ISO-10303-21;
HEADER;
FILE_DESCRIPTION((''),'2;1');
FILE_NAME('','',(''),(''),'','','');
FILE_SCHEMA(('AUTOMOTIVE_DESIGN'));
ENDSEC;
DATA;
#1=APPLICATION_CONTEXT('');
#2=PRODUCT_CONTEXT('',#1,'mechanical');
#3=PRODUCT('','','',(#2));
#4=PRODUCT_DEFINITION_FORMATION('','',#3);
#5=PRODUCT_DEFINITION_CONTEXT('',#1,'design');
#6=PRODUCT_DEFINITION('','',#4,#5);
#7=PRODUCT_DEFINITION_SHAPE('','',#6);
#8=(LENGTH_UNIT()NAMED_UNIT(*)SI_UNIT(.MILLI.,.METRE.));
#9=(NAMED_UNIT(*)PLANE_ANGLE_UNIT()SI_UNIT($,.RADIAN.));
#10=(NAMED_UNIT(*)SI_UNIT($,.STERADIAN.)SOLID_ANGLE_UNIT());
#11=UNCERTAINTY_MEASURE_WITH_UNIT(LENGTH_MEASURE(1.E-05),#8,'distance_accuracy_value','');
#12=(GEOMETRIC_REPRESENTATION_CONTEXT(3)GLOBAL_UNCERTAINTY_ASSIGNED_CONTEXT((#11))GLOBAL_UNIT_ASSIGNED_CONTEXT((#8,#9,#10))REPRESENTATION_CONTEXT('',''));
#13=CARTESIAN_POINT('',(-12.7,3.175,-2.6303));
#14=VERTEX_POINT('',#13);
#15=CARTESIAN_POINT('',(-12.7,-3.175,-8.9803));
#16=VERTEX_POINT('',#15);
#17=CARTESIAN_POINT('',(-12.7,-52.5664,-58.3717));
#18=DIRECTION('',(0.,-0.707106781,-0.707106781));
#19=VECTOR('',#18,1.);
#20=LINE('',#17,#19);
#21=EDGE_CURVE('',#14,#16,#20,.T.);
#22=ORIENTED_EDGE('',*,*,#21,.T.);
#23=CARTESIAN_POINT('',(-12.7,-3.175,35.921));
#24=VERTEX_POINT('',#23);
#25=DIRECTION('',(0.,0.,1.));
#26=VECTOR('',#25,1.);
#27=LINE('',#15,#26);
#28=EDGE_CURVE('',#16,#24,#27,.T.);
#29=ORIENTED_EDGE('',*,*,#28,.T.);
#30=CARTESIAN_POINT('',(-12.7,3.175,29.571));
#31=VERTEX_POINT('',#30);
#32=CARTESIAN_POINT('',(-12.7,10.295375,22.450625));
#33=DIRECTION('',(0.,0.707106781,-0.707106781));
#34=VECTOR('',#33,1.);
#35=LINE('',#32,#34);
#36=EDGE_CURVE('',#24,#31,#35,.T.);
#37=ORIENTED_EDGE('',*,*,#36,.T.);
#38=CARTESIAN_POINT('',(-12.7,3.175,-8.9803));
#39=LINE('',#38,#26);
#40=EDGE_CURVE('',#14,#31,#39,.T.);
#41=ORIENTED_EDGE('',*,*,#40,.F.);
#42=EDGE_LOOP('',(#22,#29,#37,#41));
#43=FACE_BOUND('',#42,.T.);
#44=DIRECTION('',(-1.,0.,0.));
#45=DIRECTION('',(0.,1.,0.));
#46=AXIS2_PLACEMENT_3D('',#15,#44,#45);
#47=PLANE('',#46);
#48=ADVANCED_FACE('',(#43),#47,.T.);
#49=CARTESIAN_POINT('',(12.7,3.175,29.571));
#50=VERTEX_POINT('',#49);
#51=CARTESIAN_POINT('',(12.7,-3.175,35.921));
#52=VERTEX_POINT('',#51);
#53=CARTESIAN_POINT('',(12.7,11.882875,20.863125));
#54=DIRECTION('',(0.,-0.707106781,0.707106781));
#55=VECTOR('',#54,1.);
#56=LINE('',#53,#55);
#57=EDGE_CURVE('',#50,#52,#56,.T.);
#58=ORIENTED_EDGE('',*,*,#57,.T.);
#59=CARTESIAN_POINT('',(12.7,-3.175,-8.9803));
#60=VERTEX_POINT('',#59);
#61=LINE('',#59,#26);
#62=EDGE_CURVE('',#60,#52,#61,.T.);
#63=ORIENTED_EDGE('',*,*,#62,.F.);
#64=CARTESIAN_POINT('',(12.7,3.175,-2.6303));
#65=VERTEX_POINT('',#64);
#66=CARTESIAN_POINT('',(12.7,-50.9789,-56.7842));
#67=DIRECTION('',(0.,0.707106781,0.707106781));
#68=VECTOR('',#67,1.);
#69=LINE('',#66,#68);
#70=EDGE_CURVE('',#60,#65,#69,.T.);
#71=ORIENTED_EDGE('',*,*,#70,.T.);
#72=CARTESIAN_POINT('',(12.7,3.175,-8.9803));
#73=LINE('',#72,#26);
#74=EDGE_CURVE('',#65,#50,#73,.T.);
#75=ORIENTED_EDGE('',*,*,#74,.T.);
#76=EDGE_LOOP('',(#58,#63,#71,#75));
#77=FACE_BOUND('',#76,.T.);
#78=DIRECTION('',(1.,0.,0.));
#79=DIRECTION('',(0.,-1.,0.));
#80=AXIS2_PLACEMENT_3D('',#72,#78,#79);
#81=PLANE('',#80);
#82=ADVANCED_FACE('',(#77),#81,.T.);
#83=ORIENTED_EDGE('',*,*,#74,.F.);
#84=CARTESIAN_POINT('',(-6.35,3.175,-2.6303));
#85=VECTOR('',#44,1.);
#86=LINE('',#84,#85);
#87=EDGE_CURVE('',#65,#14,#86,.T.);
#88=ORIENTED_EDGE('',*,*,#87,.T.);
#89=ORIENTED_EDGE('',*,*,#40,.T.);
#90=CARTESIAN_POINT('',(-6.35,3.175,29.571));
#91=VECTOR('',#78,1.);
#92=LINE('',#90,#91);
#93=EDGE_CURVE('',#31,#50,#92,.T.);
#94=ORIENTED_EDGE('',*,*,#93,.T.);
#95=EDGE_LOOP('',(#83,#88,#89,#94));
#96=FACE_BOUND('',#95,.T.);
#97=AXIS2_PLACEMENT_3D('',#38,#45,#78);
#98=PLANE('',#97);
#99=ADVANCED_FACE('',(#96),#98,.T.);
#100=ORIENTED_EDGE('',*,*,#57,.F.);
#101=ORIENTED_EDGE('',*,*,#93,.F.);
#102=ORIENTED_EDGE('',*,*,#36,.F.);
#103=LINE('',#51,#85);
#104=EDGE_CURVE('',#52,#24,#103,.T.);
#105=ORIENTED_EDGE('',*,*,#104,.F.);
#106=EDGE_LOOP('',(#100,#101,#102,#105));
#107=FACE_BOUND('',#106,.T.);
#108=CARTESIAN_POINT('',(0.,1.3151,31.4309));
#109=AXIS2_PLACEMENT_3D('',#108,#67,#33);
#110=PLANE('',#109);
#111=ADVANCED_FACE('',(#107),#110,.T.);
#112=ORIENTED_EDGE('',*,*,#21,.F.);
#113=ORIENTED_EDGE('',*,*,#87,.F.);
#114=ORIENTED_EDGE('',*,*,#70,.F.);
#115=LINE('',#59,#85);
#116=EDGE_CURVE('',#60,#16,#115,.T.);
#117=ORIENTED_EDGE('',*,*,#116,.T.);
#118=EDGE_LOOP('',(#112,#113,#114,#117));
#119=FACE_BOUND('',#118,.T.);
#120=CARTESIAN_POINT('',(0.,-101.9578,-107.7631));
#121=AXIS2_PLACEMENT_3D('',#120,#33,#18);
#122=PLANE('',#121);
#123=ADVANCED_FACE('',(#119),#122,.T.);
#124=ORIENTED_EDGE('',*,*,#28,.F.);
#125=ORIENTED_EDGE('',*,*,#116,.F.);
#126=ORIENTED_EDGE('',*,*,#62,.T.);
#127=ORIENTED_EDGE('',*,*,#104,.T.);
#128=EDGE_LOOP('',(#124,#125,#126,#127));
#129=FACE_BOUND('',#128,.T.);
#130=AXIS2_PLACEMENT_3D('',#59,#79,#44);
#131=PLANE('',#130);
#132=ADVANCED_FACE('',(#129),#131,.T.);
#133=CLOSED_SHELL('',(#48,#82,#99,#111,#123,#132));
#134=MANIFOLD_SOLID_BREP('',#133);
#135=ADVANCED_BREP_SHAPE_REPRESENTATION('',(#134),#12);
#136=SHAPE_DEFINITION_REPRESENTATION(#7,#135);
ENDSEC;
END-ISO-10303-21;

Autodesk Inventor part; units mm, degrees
ref_plane "Start plane" through (0, 0, -8.9803) normal (0, 0, 1) x (1, 0, 0)
ref_plane "End plane" through (0, 0, 35.921) normal (0, 0, 1) x (1, 0, 0)
sketch "Sketch" plane through (0, 0, 0) normal (0, 0, 1) x (1, 0, 0)
  line L0 (12.7, -3.175) -> (-12.7, -3.175)
  line L1 (-12.7, -3.175) -> (-12.7, 3.175)
  line L2 (-12.7, 3.175) -> (12.7, 3.175)
  line L3 (12.7, 3.175) -> (12.7, -3.175)
  line L4 (-6, 0) -> (8, 0) construction
  line L5 (0, -30) -> (0, 40) construction
  line L6 (0, 54) -> (0, -44) construction
  line L7 (-17.78, 0) -> (17.78, 0) construction
  dimension "d0" = 6.35
  dimension "d1" = 25.4
  dimension "d4" = 12.7
  dimension "d5" = 3.175
extrude "Body" add sketch "Sketch" along normal up to surface (44.9013 mm away) from surface at -8.9803
sketch "Sketch3" plane through (0, 0, 0) normal (0, 0, 1) x (1, 0, 0)
  line L0 (0, 0) -> (10, 0)
ref_plane "Work Plane3" through (0, 0, 0) normal (0, -1, 0) x (1, 0, 0)
sketch "Sketch4" plane through (0, 0, 0) normal (0, -1, 0) x (1, 0, 0)
  line L0 (-2, -8.9803) -> (12, -8.9803)
  line L1 (-2, 35.921) -> (12, 35.921)
  dimension "d9" = 44.9013
ref_plane "Work Plane4" through (0, 1.3151, 31.4309) normal (0, 0.7071, 0.7071) x (1, 0, 0)
split "Split1" plane through (0, 1.3151, 31.4309) removes the side toward (0, 0.7071, 0.7071)
ref_plane "Work Plane5" through (0, -101.9578, -107.7631) normal (0, 0.7071, -0.7071) x (1, 0, 0)
split "Split2" plane through (0, -101.9578, -107.7631) removes the side toward (0, 0.7071, -0.7071)
equation "\"d0\" = G_W"
equation "\"d1\" = G_H"
equation "\"d4\" = 0.5 * d1"
equation "\"d5\" = 0.5 * d0"
equation "\"d2\" = G_L"
equation "\"G_W\" = 6.35"
equation "\"G_H\" = 25.4"
equation "\"G_L\" = d9"
equation "\"G_OFFSET_START\" = 8.98026"
equation "\"G_OFFSET_END\" = 8.98026"
equation "\"d6\" = -G_OFFSET_START"
equation "\"d7\" = G_OFFSET_END + B_L"
equation "\"B_L\" = 26.94077"
properties part number "AISC - 1/4x1 - 1.768" material "Steel, Mild"
